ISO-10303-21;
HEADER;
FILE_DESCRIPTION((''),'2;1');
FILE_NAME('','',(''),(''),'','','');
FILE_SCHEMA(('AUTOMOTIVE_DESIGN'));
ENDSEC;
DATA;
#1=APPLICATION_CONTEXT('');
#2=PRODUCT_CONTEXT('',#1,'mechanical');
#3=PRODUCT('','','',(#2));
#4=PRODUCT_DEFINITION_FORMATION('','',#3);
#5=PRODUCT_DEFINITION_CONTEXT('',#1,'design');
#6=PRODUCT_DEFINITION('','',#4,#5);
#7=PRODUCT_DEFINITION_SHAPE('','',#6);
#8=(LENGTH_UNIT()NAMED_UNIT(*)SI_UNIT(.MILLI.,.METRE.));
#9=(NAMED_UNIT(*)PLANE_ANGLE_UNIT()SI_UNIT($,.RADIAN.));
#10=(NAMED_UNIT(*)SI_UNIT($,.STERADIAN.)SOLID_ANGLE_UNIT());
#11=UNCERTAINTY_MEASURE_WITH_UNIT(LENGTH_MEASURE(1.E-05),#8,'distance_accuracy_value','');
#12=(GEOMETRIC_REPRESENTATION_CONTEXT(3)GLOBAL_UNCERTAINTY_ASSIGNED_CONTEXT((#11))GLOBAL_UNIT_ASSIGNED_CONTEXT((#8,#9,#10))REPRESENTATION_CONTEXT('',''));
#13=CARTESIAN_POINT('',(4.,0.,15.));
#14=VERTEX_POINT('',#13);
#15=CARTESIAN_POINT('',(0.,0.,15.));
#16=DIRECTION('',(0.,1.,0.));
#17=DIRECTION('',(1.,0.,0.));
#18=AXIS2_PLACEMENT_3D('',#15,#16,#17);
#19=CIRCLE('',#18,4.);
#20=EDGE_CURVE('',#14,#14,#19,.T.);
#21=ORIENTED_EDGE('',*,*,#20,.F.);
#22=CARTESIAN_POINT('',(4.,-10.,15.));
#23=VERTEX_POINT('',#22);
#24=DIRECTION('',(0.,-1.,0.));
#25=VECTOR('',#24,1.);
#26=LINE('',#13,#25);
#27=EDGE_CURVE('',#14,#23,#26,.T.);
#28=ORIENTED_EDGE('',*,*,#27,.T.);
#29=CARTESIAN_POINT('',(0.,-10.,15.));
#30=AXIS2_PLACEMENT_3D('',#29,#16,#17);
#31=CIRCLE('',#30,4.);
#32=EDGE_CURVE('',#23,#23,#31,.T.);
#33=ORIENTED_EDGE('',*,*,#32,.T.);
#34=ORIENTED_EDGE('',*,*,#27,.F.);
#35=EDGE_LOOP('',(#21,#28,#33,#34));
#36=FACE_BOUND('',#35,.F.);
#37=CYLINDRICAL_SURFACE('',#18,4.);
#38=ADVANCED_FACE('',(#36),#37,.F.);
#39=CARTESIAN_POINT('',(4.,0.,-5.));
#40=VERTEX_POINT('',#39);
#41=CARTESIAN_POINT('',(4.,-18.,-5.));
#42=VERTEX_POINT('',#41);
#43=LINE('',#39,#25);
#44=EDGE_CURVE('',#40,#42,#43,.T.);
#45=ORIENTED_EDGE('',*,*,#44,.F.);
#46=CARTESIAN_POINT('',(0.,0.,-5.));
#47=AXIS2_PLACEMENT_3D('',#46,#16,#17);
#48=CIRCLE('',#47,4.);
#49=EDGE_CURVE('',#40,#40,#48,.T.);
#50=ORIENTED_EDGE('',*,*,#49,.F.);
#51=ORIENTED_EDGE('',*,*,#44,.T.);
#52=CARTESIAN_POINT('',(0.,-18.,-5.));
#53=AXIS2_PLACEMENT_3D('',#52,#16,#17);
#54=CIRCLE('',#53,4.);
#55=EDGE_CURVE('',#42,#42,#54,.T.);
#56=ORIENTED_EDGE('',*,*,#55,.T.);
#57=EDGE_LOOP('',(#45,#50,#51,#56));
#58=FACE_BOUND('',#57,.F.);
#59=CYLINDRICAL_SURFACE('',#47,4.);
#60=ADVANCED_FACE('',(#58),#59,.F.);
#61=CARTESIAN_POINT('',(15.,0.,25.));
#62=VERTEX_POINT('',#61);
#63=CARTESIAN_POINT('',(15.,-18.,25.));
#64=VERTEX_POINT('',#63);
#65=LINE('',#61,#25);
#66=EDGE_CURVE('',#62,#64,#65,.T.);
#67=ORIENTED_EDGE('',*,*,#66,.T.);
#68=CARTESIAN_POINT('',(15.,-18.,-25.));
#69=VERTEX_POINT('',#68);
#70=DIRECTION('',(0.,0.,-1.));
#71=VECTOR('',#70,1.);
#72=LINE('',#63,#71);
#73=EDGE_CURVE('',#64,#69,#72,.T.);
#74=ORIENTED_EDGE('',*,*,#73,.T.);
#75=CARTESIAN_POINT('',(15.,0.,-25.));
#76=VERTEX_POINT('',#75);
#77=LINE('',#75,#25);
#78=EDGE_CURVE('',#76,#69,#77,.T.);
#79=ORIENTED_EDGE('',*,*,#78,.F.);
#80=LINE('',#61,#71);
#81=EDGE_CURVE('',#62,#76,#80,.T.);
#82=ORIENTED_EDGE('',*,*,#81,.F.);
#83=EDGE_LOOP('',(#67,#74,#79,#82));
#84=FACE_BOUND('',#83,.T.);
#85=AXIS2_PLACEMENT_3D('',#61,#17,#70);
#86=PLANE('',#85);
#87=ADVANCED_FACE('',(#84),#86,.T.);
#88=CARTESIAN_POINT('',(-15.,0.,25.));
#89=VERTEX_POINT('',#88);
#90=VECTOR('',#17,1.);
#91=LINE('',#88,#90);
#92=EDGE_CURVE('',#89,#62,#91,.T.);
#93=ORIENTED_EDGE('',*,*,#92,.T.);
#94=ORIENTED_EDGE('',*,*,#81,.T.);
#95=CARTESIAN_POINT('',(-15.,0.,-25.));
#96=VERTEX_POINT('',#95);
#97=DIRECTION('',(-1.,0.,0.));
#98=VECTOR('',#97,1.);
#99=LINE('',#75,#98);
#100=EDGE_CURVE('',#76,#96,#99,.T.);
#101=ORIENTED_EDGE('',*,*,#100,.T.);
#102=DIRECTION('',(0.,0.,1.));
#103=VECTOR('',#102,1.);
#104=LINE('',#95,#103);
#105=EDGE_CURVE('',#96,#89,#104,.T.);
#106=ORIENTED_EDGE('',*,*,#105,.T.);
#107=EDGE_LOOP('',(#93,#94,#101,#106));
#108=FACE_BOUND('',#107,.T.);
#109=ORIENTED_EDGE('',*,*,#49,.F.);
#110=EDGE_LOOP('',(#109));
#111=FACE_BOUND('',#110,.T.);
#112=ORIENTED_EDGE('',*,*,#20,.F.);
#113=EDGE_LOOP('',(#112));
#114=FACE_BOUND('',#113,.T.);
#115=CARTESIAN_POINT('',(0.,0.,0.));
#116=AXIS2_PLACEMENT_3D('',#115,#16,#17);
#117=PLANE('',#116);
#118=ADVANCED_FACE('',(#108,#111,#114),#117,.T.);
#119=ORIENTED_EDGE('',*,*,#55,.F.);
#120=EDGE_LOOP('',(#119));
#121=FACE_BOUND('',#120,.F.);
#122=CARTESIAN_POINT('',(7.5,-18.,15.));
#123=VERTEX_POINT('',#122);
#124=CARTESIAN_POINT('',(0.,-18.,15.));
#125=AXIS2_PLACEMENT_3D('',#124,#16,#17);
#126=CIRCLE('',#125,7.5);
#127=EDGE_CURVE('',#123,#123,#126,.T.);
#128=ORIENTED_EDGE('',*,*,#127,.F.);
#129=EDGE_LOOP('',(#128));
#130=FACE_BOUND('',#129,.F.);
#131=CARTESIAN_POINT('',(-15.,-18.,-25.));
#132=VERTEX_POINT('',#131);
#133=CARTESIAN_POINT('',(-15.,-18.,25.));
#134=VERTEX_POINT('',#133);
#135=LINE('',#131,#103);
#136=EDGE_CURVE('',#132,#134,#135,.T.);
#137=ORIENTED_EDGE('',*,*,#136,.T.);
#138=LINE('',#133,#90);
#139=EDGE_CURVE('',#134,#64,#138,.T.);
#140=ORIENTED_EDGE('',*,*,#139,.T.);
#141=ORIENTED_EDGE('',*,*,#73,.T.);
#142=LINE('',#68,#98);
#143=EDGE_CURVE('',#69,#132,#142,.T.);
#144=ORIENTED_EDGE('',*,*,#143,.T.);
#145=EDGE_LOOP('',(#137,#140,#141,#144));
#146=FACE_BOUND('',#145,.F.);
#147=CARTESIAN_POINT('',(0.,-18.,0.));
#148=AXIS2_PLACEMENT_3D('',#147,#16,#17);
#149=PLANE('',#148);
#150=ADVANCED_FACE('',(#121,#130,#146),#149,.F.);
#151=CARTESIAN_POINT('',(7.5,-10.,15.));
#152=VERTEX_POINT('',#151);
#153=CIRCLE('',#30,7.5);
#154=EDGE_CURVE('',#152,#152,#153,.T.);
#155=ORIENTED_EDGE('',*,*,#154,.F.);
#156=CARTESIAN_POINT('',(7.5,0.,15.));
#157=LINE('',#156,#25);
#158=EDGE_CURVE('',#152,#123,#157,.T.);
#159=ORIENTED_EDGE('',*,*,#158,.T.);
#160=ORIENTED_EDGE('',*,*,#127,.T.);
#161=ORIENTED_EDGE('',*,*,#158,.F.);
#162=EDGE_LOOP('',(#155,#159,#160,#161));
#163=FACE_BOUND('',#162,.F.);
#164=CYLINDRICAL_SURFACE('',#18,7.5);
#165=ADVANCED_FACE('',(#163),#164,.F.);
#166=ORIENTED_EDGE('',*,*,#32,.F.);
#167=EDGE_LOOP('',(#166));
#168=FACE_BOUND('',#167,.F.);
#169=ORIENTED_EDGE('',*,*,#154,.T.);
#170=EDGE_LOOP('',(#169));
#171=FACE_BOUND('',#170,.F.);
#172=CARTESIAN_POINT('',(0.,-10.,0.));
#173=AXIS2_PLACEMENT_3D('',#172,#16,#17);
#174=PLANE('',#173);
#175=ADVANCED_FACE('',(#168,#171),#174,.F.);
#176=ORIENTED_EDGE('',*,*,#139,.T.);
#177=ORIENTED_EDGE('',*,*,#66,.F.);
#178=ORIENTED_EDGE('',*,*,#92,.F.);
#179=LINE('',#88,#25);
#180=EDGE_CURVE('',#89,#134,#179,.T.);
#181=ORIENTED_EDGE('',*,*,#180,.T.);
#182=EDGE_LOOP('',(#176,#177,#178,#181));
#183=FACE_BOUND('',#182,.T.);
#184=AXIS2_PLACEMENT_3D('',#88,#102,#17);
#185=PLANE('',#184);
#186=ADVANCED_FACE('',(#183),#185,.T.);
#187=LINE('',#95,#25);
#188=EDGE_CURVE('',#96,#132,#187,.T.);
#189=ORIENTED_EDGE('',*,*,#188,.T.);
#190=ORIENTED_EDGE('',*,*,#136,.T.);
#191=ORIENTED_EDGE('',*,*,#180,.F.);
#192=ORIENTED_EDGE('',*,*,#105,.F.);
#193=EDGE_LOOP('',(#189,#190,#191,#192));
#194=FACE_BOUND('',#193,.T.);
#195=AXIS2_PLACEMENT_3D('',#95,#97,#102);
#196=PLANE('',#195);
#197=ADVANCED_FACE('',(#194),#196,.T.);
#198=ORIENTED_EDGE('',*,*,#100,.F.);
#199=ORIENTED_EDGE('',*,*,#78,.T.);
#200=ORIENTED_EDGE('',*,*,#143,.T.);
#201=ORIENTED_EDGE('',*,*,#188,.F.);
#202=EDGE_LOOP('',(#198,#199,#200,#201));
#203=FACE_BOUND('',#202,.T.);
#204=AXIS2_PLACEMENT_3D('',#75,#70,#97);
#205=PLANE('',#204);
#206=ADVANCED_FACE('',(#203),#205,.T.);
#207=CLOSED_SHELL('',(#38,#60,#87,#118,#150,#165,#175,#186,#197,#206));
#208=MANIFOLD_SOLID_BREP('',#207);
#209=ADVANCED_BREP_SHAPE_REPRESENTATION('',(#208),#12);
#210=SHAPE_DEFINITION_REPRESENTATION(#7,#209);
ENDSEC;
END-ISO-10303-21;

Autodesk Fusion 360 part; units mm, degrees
sketch "Front" plane through (0, 0, 0) normal (0, 1, 0) x (1, 0, 0)
  line L0 (-15, -25) -> (15, -25)
  line L1 (15, -25) -> (15, 25)
  line L2 (15, 25) -> (-15, 25)
  line L3 (-15, 25) -> (-15, -25)
  line L4 (0, -25) -> (0, 25) construction
  circle A0 centre (0, -15) radius 4
  circle A1 centre (0, 5) radius 4
  circle A2 centre (0, -15) radius 7.5
  dimension "d13" = 30
  dimension "d14" = 50
  dimension "d17" = 8
  dimension "d18" = 8
  dimension "d22" = 20
  dimension "d23" = 10
  dimension "d25" = 15
extrude "Extrude3" add sketch "Front" against normal blind 10 contours A2
extrude "Extrude4" add sketch "Front" against normal blind 18 contours L0 L1 L2 L3
